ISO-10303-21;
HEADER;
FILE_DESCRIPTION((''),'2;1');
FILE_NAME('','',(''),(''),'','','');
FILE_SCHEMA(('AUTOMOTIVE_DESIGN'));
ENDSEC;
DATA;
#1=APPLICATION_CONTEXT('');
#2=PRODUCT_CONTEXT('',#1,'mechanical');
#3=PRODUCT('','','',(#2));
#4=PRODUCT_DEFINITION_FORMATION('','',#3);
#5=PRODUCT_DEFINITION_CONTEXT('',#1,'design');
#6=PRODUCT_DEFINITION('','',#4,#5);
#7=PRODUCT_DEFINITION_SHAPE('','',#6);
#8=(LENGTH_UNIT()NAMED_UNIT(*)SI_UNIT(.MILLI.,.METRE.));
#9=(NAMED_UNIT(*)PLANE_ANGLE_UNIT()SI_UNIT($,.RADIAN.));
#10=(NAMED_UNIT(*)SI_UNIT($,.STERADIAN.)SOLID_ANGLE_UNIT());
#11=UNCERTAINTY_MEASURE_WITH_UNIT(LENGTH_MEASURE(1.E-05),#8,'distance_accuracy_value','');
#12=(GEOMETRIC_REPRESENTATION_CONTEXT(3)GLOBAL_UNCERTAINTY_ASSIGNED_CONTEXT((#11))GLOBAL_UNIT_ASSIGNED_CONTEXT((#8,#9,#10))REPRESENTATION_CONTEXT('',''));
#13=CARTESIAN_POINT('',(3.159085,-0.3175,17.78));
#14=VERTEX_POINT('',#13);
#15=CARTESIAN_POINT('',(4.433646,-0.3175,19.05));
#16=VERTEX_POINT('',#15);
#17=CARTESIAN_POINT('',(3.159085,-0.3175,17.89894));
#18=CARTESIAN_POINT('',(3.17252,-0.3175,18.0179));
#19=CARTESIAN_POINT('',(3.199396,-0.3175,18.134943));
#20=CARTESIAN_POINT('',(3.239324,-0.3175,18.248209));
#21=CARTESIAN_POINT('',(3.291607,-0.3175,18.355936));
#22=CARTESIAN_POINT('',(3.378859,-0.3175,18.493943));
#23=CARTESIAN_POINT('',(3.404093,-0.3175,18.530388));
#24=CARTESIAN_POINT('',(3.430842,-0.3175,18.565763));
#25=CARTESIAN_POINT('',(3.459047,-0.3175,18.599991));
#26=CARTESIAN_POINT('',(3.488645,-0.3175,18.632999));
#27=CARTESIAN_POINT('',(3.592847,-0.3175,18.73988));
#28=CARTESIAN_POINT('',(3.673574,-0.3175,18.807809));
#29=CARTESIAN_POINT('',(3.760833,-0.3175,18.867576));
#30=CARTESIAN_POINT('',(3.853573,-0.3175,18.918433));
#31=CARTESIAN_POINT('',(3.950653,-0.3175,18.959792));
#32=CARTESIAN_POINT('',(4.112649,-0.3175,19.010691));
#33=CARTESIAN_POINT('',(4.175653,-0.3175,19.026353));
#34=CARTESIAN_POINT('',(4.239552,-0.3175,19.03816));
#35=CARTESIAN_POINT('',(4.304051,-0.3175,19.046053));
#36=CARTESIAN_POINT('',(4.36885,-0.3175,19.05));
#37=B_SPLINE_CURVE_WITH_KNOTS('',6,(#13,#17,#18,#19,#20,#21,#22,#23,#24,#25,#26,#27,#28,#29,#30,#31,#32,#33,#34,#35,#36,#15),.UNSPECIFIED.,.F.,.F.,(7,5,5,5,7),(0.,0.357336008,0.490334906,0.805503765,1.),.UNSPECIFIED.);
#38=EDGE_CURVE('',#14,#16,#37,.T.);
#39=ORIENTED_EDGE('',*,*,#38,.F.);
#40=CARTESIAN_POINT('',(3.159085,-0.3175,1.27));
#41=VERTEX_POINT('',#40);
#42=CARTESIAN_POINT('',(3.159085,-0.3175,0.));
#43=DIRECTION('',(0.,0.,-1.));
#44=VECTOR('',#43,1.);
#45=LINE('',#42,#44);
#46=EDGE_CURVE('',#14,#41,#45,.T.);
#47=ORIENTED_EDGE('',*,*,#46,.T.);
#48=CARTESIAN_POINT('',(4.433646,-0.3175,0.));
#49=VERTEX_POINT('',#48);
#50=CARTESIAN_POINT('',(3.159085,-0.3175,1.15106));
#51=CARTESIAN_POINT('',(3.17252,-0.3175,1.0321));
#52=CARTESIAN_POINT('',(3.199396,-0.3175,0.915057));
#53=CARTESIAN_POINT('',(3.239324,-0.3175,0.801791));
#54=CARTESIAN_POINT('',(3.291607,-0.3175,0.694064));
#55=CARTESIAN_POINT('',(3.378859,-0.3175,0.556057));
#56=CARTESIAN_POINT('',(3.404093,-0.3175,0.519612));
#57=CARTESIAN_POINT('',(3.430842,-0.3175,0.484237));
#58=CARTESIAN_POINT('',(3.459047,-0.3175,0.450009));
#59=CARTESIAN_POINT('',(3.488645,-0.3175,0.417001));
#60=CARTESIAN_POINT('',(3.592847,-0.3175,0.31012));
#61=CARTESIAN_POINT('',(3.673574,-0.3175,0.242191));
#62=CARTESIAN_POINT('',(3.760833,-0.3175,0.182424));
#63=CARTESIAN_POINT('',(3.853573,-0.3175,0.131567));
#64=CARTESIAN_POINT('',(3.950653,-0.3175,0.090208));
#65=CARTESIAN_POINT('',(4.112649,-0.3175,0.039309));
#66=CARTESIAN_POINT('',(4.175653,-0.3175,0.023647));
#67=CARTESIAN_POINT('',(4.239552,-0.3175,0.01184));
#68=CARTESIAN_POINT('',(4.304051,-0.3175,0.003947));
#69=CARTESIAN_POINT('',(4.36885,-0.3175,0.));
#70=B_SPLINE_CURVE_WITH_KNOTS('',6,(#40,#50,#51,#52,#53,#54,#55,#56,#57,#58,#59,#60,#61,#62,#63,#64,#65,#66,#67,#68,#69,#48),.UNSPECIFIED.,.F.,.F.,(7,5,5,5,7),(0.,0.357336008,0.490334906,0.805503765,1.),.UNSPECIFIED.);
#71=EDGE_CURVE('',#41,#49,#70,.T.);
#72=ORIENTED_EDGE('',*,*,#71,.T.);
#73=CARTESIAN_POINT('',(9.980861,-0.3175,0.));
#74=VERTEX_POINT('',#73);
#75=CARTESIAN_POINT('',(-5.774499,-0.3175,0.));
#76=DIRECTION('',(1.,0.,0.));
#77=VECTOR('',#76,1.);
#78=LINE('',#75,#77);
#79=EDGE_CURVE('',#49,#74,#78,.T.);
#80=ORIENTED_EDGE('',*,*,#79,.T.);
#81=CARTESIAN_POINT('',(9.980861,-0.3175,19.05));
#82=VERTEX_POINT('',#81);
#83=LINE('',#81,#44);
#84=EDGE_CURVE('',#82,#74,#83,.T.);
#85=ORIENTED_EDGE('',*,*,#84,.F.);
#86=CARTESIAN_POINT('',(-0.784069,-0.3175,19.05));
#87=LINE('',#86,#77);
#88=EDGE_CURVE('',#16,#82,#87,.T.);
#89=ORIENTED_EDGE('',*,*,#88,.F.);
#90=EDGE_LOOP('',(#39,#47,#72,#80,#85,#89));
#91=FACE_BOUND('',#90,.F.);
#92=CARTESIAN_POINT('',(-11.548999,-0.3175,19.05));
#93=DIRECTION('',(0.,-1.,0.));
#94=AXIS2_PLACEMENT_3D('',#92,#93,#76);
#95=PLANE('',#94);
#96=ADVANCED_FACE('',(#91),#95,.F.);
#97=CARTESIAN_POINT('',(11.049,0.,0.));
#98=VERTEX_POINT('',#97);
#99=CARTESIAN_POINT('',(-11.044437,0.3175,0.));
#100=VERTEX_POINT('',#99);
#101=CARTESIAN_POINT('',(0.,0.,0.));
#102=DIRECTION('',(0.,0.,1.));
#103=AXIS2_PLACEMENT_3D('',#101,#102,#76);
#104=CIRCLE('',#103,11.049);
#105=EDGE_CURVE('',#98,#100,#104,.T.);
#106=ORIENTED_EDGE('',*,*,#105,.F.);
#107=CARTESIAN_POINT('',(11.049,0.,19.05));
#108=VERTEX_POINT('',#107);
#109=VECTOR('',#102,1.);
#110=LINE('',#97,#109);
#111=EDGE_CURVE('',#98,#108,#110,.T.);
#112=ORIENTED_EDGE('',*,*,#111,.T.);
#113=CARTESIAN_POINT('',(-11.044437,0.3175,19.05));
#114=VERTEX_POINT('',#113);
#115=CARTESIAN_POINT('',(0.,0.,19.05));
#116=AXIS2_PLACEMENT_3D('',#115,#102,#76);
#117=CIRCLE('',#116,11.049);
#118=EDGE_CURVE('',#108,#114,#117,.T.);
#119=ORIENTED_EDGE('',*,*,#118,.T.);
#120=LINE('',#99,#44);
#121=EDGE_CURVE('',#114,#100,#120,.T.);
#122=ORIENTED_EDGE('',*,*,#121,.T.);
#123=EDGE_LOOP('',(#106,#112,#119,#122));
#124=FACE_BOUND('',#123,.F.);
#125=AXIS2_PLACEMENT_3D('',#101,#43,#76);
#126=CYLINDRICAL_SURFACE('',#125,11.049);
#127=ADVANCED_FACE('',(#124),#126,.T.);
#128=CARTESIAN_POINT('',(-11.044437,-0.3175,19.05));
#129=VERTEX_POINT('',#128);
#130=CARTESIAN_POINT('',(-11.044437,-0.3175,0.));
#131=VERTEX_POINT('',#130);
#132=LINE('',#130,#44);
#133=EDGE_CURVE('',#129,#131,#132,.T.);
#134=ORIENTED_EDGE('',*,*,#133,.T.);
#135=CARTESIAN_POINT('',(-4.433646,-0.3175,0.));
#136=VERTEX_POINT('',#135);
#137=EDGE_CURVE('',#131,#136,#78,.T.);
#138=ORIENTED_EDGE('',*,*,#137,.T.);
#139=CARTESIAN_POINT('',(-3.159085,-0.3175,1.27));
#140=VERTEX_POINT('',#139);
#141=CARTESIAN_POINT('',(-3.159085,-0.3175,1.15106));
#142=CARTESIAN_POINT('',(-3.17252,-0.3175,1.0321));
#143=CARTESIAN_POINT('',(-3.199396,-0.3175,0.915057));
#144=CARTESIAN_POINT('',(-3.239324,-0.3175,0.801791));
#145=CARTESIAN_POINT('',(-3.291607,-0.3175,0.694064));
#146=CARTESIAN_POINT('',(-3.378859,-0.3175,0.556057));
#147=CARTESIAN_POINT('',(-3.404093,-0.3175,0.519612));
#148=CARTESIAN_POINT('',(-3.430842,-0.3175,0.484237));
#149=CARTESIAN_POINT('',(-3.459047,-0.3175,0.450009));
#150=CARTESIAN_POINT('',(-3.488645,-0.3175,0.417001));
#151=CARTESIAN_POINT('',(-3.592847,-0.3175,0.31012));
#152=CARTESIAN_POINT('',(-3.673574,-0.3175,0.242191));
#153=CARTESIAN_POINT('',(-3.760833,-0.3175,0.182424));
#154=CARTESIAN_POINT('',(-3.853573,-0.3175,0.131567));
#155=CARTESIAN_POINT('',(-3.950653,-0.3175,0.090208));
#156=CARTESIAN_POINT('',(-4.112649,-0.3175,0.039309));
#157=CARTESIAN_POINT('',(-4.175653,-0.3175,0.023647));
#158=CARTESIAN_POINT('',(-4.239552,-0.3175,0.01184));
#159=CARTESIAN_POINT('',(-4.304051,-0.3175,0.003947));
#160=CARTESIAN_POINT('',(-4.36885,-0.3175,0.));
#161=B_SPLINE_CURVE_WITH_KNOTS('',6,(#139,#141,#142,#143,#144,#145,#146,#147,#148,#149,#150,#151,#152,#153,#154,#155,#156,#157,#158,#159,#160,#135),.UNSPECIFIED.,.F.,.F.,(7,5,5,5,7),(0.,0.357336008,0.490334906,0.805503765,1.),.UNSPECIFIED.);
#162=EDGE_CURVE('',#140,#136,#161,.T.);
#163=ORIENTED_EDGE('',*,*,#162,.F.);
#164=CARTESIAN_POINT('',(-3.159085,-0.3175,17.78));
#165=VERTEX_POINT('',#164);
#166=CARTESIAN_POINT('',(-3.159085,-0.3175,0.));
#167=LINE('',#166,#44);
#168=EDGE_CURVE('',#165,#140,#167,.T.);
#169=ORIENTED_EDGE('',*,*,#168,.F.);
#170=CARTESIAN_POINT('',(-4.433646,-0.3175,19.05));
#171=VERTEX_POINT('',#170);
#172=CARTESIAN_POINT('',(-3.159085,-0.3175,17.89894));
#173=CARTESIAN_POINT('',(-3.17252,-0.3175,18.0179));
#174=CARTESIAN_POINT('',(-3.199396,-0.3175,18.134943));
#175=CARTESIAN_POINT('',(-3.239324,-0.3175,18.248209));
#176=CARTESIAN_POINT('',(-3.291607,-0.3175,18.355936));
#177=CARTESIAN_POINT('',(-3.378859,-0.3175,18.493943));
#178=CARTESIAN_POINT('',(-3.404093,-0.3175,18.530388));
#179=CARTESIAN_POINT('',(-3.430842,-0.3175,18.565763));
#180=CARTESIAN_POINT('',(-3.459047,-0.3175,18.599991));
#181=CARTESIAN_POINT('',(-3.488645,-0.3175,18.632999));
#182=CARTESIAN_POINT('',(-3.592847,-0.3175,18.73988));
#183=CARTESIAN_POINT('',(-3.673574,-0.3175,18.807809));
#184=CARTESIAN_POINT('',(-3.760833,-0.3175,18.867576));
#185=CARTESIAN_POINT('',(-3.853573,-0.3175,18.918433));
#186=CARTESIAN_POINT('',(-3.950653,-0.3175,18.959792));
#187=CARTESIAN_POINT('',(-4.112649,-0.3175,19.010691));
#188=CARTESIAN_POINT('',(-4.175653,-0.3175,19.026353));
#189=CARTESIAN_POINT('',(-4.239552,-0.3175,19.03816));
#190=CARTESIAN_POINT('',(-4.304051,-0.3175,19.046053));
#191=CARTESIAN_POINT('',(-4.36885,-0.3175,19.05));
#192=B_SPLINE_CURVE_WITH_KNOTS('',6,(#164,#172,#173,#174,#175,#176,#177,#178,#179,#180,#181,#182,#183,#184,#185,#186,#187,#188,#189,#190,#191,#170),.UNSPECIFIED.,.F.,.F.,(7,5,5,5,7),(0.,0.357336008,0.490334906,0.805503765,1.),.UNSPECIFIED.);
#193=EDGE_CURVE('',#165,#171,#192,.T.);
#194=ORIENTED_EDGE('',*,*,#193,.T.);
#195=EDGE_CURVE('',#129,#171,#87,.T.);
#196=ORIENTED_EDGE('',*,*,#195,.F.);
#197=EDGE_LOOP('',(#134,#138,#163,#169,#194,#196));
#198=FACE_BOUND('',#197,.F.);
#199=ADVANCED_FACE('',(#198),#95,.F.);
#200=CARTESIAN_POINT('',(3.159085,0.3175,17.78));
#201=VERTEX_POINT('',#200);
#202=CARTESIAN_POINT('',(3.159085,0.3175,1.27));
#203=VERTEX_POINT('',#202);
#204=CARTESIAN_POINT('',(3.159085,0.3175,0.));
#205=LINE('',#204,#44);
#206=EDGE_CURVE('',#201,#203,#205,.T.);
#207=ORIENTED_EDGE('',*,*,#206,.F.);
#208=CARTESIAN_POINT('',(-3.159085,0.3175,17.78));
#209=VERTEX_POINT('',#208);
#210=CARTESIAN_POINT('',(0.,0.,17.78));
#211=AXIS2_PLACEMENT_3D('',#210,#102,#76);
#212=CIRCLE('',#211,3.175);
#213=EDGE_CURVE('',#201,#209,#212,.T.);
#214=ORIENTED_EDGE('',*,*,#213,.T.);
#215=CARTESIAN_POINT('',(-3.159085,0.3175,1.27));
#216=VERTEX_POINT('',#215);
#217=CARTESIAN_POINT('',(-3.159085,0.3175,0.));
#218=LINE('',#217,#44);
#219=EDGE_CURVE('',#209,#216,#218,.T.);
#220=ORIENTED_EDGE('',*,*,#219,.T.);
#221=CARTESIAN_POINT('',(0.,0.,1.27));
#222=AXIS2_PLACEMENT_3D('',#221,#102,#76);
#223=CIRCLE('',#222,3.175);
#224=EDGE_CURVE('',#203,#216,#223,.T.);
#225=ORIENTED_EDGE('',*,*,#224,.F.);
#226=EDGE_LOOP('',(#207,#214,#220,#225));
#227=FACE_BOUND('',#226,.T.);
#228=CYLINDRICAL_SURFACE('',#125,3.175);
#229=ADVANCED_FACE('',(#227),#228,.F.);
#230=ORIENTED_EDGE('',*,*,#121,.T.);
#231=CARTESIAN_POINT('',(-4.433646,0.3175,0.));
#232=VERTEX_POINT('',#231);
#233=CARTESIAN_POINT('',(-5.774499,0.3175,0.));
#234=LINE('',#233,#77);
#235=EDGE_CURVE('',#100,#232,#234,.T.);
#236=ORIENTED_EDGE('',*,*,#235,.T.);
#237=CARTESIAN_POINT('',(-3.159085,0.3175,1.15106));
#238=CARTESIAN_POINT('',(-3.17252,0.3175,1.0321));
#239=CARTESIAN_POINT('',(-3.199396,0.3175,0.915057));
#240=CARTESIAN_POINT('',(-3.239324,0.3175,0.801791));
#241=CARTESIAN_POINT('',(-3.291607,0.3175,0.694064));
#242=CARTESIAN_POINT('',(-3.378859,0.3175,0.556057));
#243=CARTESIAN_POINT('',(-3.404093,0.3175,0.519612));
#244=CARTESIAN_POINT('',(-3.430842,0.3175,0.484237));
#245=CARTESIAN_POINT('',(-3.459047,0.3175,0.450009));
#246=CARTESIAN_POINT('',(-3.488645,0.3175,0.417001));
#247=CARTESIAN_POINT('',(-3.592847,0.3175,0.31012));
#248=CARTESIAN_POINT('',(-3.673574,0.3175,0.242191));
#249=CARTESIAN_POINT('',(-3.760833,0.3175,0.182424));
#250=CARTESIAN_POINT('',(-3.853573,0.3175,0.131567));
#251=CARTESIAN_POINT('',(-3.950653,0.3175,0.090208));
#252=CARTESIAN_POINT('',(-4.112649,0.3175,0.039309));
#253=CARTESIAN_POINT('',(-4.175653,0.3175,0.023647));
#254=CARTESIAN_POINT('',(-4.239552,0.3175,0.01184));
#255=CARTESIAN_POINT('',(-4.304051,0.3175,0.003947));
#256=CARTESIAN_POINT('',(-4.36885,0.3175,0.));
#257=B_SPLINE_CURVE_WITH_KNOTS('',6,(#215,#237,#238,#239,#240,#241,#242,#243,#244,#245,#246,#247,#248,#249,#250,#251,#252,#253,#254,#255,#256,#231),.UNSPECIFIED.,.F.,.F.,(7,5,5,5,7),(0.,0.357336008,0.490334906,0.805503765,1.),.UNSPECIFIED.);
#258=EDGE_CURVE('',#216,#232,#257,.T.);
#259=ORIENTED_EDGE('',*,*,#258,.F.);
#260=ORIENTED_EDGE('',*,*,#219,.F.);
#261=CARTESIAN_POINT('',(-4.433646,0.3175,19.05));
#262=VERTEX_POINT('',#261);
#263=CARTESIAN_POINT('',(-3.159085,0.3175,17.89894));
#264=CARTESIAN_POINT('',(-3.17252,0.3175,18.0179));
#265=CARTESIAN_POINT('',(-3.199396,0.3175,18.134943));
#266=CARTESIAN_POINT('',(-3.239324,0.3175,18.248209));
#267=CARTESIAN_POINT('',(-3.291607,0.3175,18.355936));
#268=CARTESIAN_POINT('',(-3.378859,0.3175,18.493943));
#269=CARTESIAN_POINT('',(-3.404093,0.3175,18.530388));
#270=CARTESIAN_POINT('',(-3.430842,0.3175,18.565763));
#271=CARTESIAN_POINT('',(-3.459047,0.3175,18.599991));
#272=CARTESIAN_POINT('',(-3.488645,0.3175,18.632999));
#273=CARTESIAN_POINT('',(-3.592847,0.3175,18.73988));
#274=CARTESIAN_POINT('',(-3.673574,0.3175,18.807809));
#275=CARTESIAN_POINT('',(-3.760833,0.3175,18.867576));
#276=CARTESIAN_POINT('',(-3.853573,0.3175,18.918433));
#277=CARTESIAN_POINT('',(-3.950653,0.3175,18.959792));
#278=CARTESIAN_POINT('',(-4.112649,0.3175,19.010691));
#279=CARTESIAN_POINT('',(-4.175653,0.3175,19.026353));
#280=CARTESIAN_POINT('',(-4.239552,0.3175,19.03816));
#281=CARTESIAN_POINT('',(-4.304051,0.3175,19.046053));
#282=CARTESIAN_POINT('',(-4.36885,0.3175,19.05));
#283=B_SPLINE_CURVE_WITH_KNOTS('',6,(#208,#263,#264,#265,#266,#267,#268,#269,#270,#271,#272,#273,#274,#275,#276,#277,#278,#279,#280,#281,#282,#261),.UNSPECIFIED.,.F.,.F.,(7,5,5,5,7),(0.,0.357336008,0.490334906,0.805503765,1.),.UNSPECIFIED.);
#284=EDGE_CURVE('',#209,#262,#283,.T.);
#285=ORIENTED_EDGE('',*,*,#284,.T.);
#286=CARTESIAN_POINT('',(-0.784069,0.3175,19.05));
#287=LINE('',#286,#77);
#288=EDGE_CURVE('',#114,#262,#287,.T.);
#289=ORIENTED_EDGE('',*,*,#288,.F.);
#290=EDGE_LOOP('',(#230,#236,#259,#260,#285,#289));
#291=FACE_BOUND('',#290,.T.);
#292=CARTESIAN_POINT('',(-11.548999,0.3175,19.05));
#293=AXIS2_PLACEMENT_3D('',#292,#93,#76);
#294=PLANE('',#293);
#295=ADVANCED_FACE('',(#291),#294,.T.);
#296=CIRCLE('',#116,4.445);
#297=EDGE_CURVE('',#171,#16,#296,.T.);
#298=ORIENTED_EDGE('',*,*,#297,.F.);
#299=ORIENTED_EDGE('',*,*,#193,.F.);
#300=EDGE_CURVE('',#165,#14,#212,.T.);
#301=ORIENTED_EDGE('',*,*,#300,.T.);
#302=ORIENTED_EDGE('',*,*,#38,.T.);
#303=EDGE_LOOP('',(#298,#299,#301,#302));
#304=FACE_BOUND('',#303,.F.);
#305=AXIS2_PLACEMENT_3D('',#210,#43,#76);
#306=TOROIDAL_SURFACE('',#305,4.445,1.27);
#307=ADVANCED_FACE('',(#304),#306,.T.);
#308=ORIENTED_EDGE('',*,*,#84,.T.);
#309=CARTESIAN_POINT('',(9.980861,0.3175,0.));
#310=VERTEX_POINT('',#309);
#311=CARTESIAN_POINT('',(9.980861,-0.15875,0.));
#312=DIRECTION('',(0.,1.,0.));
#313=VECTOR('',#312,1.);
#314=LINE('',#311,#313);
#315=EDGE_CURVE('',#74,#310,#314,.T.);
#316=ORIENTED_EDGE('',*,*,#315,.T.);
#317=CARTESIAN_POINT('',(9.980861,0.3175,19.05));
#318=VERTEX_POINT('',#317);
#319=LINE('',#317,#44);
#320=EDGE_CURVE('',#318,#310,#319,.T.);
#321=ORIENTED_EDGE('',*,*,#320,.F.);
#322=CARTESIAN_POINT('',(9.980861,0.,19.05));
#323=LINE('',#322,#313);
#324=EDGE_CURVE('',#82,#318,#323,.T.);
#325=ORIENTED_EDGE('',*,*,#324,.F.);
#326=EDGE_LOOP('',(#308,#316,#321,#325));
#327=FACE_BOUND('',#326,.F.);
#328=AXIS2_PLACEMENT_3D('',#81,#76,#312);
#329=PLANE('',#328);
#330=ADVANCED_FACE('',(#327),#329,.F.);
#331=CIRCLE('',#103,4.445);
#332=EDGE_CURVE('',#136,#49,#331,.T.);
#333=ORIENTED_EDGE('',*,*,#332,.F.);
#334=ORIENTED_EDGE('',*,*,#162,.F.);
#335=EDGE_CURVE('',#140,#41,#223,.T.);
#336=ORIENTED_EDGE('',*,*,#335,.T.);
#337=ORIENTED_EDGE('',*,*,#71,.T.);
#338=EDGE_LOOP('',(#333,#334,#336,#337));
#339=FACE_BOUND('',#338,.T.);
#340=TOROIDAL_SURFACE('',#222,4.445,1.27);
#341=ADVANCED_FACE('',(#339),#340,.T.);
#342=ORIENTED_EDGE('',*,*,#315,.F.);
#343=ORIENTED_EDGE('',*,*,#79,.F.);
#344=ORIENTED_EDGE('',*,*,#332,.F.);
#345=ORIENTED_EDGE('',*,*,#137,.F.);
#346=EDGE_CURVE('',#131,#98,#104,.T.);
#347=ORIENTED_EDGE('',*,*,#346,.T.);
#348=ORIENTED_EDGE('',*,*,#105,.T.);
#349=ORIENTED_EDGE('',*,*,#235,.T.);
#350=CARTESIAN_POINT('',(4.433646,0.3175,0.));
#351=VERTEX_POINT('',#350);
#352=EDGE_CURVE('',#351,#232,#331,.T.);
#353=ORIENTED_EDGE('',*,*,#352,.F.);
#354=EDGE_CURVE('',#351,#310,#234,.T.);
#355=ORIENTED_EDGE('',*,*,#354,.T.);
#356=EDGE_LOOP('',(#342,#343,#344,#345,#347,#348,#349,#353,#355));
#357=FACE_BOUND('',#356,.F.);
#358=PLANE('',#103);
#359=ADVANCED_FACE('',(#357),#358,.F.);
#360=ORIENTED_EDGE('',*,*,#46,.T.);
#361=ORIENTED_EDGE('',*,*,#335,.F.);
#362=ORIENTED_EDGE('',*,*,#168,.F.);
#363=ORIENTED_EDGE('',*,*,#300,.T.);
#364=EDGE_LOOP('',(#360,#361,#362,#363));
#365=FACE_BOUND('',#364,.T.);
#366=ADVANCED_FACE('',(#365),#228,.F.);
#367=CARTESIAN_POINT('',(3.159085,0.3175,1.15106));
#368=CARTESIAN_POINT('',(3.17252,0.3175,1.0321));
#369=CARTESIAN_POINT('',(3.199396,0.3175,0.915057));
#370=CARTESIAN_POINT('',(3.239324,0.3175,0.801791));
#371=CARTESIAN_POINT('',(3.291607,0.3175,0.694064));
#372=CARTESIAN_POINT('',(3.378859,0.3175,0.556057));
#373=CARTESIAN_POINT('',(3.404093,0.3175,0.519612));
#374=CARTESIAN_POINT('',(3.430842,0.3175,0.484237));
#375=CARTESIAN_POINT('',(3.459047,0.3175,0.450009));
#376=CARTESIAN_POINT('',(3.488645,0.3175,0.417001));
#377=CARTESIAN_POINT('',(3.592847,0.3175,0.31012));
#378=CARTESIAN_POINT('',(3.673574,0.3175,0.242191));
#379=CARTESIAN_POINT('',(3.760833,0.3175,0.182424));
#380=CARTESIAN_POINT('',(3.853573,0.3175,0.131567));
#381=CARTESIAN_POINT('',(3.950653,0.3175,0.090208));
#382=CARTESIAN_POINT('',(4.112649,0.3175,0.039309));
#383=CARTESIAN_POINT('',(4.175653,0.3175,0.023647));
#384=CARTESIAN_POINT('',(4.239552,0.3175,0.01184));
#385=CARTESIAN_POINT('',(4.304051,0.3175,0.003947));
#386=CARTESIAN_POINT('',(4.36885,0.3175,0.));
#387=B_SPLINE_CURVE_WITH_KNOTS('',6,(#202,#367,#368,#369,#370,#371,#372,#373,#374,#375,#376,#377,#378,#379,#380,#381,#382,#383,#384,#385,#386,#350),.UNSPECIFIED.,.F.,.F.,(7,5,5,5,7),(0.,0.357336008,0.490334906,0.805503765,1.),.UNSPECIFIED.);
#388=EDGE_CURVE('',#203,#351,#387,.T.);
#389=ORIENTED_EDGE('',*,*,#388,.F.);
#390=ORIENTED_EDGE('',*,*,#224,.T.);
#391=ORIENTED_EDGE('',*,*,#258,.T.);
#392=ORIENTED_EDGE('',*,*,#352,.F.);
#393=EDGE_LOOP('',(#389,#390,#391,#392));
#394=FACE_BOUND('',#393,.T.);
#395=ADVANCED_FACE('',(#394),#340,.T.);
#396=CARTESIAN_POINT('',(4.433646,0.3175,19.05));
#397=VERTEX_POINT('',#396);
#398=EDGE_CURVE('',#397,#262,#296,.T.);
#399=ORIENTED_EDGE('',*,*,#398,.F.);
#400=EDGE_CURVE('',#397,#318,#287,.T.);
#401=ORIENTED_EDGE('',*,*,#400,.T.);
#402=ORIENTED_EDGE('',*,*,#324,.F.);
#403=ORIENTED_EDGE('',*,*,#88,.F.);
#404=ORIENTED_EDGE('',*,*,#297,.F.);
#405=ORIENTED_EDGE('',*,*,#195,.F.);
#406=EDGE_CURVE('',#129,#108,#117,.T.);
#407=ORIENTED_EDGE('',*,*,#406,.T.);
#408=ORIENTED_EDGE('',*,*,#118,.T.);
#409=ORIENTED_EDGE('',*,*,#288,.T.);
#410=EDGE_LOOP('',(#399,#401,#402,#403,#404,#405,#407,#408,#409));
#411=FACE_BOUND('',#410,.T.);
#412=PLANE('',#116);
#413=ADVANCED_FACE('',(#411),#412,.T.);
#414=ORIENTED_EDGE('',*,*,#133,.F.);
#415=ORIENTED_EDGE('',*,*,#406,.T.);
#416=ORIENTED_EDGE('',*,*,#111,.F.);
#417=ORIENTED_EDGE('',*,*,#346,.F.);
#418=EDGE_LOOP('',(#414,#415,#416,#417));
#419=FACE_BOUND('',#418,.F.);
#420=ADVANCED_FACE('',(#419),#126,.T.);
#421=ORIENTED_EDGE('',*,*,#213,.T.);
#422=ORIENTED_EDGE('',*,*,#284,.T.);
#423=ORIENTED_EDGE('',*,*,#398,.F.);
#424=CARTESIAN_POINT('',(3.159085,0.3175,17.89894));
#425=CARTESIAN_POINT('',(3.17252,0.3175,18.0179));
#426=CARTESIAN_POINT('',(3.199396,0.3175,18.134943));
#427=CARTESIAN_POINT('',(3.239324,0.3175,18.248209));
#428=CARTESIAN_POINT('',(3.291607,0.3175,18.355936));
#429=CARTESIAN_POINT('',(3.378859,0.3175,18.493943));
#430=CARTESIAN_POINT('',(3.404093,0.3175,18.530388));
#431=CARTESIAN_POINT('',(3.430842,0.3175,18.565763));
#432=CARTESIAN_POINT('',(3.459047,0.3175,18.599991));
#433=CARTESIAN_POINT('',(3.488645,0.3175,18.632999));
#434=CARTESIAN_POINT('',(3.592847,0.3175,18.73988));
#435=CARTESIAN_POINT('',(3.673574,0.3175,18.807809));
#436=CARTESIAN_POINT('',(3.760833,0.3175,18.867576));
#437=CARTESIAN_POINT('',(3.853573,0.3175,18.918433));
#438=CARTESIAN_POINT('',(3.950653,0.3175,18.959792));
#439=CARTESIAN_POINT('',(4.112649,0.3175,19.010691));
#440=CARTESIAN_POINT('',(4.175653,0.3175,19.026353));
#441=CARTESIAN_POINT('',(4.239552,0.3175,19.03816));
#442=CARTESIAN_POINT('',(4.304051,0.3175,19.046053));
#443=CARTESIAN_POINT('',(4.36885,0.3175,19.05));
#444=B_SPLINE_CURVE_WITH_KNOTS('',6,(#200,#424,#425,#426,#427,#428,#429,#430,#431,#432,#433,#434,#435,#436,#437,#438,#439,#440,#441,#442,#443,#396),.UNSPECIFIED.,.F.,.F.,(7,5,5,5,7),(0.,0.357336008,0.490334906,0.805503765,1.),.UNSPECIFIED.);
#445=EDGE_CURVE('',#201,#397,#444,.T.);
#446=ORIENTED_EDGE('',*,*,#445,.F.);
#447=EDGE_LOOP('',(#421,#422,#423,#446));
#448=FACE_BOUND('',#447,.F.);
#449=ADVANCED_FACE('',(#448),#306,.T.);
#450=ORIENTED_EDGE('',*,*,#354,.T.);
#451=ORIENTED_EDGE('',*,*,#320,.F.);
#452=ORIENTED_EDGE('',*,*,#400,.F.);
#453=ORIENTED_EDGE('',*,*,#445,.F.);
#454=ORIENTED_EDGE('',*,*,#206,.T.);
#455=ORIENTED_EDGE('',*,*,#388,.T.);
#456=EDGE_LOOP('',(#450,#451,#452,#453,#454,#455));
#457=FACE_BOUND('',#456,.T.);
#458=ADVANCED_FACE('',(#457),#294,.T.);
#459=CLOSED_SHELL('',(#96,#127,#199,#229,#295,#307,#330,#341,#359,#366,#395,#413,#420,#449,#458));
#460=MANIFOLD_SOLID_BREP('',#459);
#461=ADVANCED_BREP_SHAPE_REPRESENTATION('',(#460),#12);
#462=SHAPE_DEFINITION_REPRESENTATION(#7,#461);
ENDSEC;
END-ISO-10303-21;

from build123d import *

# Parameters (mm, degrees)
SKETCH1_R           = 11.049
SKETCH1_R_2         = 3.175
BOSS_EXTRUDE1_DEPTH = 19.05
FILLET1_R           = 1.27
SKETCH3_W           = 21.529859436
SKETCH3_H           = 0.635
CUT_EXTRUDE1_DEPTH  = 20.05


with BuildPart() as part:
    # Sketch1 → Boss-Extrude1 (new body)
    with BuildSketch(Plane.XY):
        Circle(SKETCH1_R)
        Circle(SKETCH1_R_2, mode=Mode.SUBTRACT)
    extrude(amount=BOSS_EXTRUDE1_DEPTH)

    # Fillet1
    fillet1_edges = [part.edges().sort_by_distance(p)[0] for p in [
        (-3.175, 0, 0),
        (-3.175, 0, 19.05),
    ]]
    fillet(fillet1_edges, radius=FILLET1_R)

    # Sketch3 → Cut-Extrude1 (cut, through all)
    with BuildSketch(Plane.XY.offset(19.05)):
        with Locations((-0.784069021, 0)):
            Rectangle(SKETCH3_W, SKETCH3_H)
    extrude(amount=-CUT_EXTRUDE1_DEPTH, mode=Mode.SUBTRACT)


solid = part.part
